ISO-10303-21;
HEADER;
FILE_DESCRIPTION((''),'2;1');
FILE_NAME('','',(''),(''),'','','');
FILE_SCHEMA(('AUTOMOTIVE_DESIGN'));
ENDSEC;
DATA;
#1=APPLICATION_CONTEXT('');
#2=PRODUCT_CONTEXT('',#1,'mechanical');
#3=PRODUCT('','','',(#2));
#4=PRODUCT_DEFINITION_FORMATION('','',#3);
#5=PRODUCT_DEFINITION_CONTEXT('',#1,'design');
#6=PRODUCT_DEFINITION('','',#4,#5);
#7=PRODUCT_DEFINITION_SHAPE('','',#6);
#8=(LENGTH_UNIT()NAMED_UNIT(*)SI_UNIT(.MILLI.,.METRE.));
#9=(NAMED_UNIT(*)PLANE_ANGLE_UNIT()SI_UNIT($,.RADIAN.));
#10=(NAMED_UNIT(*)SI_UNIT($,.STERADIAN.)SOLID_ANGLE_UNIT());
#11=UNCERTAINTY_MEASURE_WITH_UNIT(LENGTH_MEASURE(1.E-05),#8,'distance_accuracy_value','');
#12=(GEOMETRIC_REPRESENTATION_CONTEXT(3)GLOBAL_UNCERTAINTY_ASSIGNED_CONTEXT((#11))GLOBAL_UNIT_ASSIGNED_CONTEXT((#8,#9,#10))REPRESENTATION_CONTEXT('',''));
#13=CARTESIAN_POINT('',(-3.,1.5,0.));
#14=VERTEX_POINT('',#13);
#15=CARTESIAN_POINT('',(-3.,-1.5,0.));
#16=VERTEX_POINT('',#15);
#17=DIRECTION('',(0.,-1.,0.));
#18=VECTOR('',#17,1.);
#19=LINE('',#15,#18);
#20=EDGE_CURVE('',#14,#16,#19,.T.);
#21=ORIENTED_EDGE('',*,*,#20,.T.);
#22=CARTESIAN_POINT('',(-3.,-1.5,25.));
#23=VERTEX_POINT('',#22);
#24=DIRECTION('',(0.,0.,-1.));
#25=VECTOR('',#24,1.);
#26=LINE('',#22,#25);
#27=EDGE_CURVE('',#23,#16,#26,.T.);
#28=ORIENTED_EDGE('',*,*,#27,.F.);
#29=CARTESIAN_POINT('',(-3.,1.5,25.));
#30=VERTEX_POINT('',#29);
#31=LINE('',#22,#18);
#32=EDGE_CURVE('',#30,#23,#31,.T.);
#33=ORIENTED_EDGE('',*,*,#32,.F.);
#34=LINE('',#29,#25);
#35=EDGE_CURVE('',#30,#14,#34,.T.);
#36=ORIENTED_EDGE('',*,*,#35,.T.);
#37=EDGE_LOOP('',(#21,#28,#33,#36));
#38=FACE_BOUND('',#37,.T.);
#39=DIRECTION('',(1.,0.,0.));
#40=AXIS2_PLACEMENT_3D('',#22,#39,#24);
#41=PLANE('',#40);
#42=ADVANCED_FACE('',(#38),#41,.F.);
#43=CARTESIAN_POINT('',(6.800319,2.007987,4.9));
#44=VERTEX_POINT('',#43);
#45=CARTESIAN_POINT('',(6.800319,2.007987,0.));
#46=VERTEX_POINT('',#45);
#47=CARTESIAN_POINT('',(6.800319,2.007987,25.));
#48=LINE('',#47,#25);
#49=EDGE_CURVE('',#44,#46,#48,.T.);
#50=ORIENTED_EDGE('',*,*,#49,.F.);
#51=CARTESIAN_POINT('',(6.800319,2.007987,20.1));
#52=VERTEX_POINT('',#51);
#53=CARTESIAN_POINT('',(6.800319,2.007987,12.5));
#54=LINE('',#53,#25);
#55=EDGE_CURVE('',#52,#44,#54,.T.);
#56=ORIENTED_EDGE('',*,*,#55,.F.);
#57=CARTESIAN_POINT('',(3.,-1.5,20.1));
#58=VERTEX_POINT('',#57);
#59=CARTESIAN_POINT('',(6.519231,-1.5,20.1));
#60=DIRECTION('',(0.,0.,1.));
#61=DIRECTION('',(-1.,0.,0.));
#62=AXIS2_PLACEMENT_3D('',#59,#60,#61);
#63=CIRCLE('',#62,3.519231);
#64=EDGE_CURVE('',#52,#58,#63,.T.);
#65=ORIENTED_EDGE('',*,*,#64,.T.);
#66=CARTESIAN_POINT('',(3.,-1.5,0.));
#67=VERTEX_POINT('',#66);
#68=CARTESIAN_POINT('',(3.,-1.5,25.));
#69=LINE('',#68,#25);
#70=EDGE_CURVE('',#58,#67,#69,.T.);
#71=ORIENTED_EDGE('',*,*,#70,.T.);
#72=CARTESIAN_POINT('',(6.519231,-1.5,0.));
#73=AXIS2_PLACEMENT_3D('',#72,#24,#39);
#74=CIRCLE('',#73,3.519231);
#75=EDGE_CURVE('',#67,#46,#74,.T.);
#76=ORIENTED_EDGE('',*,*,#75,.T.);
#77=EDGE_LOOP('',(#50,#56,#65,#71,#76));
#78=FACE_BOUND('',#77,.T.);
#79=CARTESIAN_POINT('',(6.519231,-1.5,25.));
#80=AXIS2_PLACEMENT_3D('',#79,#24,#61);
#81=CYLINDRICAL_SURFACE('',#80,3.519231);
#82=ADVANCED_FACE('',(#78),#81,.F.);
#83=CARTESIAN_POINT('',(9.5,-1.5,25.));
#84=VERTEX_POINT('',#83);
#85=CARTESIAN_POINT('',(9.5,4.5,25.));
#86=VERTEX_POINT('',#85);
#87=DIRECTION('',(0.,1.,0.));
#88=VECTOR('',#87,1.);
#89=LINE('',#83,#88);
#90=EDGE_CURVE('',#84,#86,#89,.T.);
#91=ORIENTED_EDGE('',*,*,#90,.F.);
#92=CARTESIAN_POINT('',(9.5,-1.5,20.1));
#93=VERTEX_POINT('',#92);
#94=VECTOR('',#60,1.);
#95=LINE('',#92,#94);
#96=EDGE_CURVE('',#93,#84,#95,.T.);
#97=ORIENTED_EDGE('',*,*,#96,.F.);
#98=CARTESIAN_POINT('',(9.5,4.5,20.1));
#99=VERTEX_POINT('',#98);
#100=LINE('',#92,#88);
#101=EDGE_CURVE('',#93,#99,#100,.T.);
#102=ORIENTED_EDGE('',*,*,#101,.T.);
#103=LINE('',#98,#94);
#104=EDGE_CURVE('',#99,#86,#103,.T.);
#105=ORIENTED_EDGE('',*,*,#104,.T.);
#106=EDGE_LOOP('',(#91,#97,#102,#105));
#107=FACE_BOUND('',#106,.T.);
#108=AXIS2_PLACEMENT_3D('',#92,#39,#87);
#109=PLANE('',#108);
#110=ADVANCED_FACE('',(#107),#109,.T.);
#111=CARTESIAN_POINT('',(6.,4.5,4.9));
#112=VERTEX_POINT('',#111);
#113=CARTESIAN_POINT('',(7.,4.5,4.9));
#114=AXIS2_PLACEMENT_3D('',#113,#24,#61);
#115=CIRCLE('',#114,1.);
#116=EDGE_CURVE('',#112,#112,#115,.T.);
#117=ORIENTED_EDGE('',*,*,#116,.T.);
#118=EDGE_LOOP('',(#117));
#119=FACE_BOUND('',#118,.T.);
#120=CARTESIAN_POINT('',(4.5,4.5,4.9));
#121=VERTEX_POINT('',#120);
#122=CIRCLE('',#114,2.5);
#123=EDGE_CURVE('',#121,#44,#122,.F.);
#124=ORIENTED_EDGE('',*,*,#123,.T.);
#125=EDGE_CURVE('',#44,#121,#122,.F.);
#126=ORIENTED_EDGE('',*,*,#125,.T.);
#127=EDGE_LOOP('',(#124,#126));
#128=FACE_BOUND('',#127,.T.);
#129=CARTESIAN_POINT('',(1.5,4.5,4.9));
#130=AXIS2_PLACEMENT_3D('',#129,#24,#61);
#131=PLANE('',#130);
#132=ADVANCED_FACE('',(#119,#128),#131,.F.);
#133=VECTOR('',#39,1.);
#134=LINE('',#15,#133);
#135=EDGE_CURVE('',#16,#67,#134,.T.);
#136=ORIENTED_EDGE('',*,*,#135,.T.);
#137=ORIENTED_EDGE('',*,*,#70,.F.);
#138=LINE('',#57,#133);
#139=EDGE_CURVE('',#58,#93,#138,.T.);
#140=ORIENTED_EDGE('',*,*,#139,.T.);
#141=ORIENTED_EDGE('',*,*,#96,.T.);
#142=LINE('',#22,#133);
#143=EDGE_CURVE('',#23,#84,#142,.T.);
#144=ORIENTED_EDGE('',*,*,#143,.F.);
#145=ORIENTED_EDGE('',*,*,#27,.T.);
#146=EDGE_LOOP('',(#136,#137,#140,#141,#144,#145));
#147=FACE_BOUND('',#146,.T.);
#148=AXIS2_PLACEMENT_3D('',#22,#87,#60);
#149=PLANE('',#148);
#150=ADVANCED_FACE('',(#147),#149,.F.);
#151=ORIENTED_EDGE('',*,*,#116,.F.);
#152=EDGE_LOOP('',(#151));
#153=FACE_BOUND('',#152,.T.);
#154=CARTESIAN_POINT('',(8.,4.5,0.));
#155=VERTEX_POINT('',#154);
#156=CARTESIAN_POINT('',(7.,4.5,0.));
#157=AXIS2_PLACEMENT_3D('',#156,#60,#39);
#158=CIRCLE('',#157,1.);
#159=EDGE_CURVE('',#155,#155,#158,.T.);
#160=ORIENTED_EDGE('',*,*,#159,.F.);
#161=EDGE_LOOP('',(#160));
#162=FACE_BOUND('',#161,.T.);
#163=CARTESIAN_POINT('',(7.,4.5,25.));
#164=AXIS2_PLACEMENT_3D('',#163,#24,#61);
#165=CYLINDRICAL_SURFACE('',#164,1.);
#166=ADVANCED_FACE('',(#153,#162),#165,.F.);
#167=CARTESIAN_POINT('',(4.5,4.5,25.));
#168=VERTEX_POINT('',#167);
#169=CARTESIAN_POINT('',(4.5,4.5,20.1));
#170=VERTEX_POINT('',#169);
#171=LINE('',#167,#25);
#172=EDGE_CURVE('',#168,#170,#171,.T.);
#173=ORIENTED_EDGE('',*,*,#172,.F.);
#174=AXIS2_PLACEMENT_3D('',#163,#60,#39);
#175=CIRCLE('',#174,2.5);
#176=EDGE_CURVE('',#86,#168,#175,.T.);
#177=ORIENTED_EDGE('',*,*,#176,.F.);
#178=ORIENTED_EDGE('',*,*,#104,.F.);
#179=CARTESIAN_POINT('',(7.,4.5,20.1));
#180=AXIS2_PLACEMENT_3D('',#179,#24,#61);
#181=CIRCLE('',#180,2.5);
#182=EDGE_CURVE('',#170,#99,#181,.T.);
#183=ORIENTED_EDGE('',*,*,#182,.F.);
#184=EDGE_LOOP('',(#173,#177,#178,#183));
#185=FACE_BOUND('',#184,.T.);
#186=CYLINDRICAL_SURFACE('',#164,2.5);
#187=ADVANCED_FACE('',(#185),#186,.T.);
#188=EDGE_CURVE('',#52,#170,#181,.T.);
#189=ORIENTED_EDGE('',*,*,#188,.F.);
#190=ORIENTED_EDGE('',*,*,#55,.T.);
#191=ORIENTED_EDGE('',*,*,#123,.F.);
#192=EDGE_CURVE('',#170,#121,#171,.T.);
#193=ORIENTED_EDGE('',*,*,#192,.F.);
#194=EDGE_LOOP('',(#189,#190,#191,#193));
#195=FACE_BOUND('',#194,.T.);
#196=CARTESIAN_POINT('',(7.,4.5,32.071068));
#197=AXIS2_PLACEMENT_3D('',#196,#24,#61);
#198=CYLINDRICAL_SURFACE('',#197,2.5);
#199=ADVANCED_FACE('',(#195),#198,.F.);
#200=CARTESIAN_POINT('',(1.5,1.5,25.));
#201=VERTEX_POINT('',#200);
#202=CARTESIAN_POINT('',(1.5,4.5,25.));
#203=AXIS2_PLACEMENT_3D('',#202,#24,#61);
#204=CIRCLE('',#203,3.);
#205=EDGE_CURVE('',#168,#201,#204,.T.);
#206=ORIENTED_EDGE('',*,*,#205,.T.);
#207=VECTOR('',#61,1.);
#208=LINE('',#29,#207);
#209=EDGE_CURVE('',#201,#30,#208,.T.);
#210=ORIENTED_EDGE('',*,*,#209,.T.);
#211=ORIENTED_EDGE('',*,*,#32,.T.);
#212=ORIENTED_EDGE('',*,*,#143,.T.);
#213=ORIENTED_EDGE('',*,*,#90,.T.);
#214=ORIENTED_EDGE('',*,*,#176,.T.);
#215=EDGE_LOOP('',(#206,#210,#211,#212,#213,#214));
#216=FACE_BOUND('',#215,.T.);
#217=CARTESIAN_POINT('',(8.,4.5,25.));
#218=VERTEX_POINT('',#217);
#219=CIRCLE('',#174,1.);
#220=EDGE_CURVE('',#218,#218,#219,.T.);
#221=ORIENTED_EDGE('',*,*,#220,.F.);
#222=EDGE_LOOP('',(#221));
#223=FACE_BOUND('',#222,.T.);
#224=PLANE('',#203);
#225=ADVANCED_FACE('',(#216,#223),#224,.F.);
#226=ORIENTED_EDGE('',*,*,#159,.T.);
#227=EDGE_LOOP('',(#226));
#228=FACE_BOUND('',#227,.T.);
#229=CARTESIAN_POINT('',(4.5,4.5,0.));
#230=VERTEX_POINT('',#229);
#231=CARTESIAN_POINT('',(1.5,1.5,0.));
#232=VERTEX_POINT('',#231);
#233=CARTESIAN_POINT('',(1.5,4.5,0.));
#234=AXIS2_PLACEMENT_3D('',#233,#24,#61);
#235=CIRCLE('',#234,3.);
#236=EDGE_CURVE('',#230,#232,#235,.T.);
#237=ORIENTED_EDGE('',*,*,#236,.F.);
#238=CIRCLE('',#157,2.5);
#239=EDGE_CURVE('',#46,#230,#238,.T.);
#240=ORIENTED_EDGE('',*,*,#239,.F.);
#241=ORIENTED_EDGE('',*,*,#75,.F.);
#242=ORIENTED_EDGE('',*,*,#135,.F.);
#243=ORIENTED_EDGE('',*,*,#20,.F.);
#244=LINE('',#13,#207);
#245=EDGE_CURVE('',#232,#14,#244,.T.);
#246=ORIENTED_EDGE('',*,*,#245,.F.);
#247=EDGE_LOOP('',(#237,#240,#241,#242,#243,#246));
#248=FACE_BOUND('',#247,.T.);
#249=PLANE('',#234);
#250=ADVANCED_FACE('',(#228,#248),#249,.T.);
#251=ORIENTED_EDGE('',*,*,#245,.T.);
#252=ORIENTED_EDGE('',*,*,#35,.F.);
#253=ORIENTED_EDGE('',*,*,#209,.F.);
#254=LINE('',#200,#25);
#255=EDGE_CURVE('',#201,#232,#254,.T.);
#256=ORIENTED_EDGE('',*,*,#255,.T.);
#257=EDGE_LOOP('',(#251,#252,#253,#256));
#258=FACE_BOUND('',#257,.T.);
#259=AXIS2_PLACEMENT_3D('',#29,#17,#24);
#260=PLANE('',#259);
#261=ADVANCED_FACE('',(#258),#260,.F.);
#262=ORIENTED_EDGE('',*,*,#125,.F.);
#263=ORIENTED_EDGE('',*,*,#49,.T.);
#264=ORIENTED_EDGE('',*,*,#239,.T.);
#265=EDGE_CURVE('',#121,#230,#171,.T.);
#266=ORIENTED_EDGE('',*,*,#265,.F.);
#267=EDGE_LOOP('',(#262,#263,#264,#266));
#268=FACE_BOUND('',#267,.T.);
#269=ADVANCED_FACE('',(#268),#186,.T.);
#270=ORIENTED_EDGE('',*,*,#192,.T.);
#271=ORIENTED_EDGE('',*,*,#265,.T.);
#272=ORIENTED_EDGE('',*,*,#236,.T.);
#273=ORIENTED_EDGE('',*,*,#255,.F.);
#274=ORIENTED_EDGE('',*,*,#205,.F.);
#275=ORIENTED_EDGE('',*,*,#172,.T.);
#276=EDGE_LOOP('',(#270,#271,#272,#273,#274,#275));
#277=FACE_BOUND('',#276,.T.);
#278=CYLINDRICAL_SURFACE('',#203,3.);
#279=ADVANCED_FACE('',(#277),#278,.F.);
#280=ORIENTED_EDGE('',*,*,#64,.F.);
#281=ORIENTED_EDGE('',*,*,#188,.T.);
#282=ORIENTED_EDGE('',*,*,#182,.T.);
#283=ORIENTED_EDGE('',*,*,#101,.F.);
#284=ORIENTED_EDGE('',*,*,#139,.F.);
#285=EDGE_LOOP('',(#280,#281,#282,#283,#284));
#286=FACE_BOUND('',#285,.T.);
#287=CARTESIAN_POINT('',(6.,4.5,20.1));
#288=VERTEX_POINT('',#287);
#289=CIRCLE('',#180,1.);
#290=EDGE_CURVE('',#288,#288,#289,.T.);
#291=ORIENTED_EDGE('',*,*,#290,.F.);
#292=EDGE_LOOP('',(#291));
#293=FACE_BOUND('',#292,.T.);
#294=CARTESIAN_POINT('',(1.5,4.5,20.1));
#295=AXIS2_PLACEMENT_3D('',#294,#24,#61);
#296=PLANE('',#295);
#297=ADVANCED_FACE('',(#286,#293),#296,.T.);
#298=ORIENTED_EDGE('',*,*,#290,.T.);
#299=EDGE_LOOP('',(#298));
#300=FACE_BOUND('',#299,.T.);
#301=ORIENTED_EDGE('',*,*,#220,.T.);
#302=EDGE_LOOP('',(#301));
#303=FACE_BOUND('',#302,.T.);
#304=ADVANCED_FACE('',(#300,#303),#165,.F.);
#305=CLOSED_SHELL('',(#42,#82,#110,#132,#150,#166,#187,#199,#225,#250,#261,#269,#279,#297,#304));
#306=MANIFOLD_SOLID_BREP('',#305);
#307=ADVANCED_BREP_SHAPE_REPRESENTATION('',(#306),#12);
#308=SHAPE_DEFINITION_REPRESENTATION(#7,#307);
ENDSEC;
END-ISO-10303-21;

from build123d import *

# Parameters (mm, degrees)
SKETCH1_R           = 1
BOSS_EXTRUDE1_DEPTH = 25
CUT_EXTRUDE1_START  = -20.1
SKETCH2_R           = 2.5
CUT_EXTRUDE1_DEPTH  = 15.2
BOSS_EXTRUDE2_START = -4.9
BOSS_EXTRUDE2_DEPTH = 4.9


with BuildPart() as part:
    # Sketch1 → Boss-Extrude1 (new body)
    with BuildSketch(Plane.XY):
        with BuildLine():
            Line((-3, -1.5), (3, -1.5))
            ThreePointArc((3, -1.5), (4.132206562, 1.085942892), (6.800319489, 2.00798722))
            ThreePointArc((6.800319489, 2.00798722), (8.837008612, 6.195700257), (4.5, 4.5))
            ThreePointArc((4.5, 4.5), (3.621320344, 2.378679656), (1.5, 1.5))
            Line((1.5, 1.5), (-3, 1.5))
            Line((-3, 1.5), (-3, -1.5))
        make_face()
        with Locations((7, 4.5)):
            Circle(SKETCH1_R, mode=Mode.SUBTRACT)
    extrude(amount=BOSS_EXTRUDE1_DEPTH)

    # Sketch2 → Cut-Extrude1 (cut)
    with BuildSketch(Plane.XY.offset(25).offset(CUT_EXTRUDE1_START)):
        with Locations((7, 4.5)):
            Circle(SKETCH2_R)
    extrude(amount=CUT_EXTRUDE1_DEPTH, mode=Mode.SUBTRACT)

    # Sketch4 → Boss-Extrude2 (add)
    with BuildSketch(Plane.XY.offset(25).offset(BOSS_EXTRUDE2_START)):
        with BuildLine():
            Line((3, -1.5), (9.5, -1.5))
            Line((9.5, -1.5), (9.5, 4.5))
            ThreePointArc((9.5, 4.5), (8.695700257, 2.662991388), (6.800319489, 2.00798722))
            ThreePointArc((6.800319489, 2.00798722), (4.132206562, 1.085942892), (3, -1.5))
        make_face()
    extrude(amount=BOSS_EXTRUDE2_DEPTH)


solid = part.part
